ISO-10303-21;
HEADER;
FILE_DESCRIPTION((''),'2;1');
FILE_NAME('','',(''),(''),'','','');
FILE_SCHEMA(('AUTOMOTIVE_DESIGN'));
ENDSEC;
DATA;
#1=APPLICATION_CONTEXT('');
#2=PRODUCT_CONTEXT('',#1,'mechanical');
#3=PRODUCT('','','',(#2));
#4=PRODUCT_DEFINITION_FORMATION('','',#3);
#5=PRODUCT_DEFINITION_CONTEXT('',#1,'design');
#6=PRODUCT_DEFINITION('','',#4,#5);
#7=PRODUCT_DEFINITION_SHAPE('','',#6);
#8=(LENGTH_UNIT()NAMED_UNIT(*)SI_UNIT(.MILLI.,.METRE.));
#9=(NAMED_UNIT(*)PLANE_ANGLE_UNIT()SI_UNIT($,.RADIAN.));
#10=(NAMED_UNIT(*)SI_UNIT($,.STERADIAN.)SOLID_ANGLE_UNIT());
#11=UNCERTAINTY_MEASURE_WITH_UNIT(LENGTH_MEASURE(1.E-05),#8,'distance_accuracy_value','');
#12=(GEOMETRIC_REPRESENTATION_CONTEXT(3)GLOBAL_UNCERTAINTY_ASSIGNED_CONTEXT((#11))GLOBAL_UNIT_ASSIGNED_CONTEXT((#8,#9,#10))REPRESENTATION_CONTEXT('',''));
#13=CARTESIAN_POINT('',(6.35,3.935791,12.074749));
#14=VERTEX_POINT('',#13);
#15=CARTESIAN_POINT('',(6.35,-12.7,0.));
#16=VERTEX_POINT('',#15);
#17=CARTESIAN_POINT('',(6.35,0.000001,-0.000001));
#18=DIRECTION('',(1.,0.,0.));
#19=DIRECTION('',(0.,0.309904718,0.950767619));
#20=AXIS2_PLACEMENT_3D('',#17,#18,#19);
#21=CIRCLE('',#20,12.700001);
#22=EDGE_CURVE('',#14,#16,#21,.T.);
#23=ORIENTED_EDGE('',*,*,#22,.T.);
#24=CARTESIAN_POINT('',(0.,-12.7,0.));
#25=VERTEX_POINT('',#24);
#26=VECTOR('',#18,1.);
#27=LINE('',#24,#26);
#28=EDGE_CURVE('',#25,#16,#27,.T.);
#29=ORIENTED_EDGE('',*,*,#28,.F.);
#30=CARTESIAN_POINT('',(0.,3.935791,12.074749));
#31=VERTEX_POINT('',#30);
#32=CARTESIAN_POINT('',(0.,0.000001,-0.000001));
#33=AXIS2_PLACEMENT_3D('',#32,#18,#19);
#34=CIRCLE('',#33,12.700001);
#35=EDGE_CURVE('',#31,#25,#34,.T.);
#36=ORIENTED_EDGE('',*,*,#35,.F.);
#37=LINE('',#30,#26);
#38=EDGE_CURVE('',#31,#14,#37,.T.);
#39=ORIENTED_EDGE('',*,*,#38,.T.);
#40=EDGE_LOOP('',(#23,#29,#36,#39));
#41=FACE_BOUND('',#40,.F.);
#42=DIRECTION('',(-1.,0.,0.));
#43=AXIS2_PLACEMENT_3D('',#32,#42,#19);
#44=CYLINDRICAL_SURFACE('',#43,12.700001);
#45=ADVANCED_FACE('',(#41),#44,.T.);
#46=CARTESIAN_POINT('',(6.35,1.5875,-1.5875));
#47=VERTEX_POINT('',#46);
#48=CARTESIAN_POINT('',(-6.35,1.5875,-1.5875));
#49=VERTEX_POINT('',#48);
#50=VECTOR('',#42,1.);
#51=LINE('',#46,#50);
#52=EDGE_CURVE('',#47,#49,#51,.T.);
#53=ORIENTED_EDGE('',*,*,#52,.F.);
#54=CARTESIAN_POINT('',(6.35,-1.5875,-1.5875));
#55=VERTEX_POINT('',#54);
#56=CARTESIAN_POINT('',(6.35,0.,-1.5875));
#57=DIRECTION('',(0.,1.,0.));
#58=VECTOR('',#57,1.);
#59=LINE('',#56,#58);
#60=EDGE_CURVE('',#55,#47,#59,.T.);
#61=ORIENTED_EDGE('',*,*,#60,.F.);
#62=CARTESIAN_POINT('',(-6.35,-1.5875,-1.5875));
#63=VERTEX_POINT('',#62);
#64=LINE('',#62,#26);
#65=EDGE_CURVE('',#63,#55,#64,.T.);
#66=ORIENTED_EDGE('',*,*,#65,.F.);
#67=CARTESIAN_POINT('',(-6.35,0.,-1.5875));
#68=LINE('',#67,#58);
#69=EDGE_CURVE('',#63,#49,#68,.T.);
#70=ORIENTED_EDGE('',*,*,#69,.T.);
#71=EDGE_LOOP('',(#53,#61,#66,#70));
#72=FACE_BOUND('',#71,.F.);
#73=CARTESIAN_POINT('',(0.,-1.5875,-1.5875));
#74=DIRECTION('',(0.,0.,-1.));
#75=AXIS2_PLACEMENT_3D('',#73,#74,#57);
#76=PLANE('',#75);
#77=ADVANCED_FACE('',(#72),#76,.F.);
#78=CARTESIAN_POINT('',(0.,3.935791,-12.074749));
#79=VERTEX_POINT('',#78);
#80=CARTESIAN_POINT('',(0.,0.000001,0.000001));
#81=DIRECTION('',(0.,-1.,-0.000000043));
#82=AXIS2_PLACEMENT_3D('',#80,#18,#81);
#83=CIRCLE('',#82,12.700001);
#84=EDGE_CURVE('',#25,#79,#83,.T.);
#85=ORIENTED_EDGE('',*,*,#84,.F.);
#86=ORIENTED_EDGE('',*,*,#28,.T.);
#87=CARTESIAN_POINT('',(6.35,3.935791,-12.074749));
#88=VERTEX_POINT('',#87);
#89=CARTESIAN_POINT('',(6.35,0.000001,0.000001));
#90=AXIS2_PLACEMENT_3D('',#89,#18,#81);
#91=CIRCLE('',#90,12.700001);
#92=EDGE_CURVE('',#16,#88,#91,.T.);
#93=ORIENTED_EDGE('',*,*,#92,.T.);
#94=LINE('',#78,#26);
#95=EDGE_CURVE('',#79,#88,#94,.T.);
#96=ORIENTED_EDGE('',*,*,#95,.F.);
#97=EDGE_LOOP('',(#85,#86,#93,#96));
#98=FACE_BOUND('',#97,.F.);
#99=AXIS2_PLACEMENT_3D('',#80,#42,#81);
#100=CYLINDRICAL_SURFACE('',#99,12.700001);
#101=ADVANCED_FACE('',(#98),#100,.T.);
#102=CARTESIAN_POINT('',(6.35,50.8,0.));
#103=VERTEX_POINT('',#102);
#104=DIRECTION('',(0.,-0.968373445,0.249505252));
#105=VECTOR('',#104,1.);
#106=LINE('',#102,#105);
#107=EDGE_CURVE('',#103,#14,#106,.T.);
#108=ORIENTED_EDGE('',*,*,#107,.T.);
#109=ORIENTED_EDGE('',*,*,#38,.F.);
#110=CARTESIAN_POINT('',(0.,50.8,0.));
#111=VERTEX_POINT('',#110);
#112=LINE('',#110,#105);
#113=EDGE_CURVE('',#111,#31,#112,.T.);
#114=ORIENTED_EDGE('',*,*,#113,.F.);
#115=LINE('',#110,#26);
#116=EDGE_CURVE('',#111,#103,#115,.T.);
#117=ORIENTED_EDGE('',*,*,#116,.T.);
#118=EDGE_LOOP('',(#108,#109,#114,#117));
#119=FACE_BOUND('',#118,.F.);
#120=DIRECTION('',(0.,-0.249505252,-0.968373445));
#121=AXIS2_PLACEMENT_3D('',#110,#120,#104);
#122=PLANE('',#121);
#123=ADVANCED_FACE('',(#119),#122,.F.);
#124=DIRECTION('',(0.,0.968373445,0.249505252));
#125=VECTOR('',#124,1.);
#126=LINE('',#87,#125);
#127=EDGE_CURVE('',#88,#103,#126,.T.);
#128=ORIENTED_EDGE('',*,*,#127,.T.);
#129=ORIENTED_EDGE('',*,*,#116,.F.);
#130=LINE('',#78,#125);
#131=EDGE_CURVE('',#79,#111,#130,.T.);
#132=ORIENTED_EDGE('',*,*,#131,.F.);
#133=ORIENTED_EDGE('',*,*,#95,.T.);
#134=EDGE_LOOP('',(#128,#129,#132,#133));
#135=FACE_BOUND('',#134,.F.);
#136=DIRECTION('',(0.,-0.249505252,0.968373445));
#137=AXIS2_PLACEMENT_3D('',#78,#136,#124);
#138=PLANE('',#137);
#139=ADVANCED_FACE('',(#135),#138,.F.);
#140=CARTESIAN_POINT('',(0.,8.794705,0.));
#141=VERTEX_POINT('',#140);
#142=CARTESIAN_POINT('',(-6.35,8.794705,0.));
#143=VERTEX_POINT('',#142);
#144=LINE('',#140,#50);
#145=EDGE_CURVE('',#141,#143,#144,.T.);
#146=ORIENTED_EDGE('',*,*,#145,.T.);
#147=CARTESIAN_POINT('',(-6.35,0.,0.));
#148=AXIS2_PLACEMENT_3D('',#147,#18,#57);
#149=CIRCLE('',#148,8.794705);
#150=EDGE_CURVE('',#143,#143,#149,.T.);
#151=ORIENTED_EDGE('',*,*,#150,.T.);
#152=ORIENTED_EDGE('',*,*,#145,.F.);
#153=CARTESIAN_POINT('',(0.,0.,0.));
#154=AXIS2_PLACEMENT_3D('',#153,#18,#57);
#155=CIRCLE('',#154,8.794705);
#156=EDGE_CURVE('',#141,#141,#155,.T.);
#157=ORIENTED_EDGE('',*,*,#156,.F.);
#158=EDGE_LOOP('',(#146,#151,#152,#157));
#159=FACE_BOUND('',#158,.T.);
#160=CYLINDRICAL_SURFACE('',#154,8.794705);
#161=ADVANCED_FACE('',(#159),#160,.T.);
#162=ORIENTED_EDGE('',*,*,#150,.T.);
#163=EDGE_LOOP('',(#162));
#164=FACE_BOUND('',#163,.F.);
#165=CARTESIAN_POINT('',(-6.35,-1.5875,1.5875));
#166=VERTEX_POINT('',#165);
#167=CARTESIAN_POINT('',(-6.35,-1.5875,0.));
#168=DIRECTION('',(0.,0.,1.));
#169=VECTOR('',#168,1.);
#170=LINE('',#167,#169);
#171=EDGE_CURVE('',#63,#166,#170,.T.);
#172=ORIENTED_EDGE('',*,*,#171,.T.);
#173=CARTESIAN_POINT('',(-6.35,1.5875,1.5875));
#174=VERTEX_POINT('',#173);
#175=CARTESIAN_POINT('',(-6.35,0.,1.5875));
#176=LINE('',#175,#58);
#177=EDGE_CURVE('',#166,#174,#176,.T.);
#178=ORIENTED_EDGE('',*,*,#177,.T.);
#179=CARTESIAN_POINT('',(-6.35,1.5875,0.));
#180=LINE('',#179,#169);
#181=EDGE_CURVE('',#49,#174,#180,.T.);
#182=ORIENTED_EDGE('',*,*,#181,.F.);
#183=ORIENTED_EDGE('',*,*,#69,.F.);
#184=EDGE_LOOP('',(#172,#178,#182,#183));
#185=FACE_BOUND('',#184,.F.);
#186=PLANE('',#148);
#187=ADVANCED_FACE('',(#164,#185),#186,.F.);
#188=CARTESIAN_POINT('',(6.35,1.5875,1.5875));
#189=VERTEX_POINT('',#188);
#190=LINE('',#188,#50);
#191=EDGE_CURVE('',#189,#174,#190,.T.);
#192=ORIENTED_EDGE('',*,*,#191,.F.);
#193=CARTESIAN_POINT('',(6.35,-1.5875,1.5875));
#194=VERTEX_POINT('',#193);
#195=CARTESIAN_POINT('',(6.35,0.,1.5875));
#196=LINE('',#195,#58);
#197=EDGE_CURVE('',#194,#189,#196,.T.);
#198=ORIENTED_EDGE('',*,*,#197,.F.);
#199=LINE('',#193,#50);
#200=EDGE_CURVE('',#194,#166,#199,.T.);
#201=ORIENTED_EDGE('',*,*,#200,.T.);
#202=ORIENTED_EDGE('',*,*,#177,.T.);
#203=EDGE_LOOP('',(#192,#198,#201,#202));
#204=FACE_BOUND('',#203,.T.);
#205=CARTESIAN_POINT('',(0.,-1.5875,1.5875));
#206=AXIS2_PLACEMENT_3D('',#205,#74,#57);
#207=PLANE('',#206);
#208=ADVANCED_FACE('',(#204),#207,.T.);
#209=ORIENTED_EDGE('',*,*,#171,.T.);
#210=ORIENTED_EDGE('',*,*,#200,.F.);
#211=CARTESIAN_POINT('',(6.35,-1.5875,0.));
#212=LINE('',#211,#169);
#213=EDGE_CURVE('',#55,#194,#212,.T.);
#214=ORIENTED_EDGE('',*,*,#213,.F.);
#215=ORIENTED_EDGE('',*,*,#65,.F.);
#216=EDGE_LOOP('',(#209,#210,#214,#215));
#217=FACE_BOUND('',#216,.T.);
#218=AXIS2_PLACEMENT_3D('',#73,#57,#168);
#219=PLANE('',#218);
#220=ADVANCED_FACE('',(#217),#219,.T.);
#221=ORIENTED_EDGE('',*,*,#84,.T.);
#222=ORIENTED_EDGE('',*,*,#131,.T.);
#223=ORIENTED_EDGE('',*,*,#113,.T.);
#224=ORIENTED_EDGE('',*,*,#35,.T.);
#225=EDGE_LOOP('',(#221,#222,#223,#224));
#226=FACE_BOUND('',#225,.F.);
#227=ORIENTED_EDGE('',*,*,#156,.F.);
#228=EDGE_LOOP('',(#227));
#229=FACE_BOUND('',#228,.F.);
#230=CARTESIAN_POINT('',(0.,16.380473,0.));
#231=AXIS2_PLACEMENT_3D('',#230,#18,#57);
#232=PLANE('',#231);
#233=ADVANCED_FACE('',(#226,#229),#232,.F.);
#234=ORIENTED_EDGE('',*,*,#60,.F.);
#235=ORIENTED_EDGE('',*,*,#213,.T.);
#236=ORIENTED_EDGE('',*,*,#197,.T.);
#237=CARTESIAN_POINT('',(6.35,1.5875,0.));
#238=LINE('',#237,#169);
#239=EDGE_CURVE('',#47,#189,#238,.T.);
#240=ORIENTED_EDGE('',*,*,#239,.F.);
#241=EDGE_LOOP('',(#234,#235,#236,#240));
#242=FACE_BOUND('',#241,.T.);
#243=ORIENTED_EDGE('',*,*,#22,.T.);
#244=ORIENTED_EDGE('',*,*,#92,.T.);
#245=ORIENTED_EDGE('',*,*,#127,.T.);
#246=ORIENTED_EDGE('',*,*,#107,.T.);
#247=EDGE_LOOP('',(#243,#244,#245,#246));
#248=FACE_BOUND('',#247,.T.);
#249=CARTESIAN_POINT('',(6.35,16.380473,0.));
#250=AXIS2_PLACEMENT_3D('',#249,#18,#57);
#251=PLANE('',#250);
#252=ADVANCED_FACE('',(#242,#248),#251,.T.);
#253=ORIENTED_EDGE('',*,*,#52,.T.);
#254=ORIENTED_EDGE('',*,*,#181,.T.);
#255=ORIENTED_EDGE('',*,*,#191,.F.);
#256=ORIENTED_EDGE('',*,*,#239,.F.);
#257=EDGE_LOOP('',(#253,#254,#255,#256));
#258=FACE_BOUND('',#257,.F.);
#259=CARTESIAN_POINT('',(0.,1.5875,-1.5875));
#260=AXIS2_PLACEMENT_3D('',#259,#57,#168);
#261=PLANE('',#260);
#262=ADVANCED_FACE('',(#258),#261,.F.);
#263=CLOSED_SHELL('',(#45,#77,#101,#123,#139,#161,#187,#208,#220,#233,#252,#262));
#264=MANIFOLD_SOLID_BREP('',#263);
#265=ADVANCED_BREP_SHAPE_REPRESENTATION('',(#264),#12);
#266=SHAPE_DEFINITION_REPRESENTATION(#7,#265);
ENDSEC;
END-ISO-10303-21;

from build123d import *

# Parameters (mm, degrees)
F1_DEPTH = 6.35
F2_W     = 3.175
F2_H     = 3.175
F3_DEPTH = 25.4
F4_R     = 8.794705
F4_W     = 3.175
F4_H     = 3.175
F5_DEPTH = 6.35


with BuildPart() as f1:
    # F0 (on Right) → F1 (new body)
    with BuildSketch(Plane.YZ):
        with BuildLine():
            Line((50.8, 0), (3.935791, 12.074749))
            ThreePointArc((3.935791, 12.074749), (-7.460076, 10.277999), (-12.7, 0))
            ThreePointArc((-12.7, 0), (-7.460076, -10.277999), (3.935791, -12.074749))
            Line((3.935791, -12.074749), (50.8, 0))
        make_face()
    extrude(amount=F1_DEPTH)

    # F2 (on face) → F3 (cut)
    with BuildSketch(Plane.YZ.offset(6.35)):
        Rectangle(F2_W, F2_H)
    extrude(amount=-F3_DEPTH, mode=Mode.SUBTRACT)

    # F4 (on Right) → F5 (join)
    with BuildSketch(Plane.YZ):
        Circle(F4_R)
        Rectangle(F4_W, F4_H, mode=Mode.SUBTRACT)
    extrude(amount=-F5_DEPTH)


solid = f1.part
